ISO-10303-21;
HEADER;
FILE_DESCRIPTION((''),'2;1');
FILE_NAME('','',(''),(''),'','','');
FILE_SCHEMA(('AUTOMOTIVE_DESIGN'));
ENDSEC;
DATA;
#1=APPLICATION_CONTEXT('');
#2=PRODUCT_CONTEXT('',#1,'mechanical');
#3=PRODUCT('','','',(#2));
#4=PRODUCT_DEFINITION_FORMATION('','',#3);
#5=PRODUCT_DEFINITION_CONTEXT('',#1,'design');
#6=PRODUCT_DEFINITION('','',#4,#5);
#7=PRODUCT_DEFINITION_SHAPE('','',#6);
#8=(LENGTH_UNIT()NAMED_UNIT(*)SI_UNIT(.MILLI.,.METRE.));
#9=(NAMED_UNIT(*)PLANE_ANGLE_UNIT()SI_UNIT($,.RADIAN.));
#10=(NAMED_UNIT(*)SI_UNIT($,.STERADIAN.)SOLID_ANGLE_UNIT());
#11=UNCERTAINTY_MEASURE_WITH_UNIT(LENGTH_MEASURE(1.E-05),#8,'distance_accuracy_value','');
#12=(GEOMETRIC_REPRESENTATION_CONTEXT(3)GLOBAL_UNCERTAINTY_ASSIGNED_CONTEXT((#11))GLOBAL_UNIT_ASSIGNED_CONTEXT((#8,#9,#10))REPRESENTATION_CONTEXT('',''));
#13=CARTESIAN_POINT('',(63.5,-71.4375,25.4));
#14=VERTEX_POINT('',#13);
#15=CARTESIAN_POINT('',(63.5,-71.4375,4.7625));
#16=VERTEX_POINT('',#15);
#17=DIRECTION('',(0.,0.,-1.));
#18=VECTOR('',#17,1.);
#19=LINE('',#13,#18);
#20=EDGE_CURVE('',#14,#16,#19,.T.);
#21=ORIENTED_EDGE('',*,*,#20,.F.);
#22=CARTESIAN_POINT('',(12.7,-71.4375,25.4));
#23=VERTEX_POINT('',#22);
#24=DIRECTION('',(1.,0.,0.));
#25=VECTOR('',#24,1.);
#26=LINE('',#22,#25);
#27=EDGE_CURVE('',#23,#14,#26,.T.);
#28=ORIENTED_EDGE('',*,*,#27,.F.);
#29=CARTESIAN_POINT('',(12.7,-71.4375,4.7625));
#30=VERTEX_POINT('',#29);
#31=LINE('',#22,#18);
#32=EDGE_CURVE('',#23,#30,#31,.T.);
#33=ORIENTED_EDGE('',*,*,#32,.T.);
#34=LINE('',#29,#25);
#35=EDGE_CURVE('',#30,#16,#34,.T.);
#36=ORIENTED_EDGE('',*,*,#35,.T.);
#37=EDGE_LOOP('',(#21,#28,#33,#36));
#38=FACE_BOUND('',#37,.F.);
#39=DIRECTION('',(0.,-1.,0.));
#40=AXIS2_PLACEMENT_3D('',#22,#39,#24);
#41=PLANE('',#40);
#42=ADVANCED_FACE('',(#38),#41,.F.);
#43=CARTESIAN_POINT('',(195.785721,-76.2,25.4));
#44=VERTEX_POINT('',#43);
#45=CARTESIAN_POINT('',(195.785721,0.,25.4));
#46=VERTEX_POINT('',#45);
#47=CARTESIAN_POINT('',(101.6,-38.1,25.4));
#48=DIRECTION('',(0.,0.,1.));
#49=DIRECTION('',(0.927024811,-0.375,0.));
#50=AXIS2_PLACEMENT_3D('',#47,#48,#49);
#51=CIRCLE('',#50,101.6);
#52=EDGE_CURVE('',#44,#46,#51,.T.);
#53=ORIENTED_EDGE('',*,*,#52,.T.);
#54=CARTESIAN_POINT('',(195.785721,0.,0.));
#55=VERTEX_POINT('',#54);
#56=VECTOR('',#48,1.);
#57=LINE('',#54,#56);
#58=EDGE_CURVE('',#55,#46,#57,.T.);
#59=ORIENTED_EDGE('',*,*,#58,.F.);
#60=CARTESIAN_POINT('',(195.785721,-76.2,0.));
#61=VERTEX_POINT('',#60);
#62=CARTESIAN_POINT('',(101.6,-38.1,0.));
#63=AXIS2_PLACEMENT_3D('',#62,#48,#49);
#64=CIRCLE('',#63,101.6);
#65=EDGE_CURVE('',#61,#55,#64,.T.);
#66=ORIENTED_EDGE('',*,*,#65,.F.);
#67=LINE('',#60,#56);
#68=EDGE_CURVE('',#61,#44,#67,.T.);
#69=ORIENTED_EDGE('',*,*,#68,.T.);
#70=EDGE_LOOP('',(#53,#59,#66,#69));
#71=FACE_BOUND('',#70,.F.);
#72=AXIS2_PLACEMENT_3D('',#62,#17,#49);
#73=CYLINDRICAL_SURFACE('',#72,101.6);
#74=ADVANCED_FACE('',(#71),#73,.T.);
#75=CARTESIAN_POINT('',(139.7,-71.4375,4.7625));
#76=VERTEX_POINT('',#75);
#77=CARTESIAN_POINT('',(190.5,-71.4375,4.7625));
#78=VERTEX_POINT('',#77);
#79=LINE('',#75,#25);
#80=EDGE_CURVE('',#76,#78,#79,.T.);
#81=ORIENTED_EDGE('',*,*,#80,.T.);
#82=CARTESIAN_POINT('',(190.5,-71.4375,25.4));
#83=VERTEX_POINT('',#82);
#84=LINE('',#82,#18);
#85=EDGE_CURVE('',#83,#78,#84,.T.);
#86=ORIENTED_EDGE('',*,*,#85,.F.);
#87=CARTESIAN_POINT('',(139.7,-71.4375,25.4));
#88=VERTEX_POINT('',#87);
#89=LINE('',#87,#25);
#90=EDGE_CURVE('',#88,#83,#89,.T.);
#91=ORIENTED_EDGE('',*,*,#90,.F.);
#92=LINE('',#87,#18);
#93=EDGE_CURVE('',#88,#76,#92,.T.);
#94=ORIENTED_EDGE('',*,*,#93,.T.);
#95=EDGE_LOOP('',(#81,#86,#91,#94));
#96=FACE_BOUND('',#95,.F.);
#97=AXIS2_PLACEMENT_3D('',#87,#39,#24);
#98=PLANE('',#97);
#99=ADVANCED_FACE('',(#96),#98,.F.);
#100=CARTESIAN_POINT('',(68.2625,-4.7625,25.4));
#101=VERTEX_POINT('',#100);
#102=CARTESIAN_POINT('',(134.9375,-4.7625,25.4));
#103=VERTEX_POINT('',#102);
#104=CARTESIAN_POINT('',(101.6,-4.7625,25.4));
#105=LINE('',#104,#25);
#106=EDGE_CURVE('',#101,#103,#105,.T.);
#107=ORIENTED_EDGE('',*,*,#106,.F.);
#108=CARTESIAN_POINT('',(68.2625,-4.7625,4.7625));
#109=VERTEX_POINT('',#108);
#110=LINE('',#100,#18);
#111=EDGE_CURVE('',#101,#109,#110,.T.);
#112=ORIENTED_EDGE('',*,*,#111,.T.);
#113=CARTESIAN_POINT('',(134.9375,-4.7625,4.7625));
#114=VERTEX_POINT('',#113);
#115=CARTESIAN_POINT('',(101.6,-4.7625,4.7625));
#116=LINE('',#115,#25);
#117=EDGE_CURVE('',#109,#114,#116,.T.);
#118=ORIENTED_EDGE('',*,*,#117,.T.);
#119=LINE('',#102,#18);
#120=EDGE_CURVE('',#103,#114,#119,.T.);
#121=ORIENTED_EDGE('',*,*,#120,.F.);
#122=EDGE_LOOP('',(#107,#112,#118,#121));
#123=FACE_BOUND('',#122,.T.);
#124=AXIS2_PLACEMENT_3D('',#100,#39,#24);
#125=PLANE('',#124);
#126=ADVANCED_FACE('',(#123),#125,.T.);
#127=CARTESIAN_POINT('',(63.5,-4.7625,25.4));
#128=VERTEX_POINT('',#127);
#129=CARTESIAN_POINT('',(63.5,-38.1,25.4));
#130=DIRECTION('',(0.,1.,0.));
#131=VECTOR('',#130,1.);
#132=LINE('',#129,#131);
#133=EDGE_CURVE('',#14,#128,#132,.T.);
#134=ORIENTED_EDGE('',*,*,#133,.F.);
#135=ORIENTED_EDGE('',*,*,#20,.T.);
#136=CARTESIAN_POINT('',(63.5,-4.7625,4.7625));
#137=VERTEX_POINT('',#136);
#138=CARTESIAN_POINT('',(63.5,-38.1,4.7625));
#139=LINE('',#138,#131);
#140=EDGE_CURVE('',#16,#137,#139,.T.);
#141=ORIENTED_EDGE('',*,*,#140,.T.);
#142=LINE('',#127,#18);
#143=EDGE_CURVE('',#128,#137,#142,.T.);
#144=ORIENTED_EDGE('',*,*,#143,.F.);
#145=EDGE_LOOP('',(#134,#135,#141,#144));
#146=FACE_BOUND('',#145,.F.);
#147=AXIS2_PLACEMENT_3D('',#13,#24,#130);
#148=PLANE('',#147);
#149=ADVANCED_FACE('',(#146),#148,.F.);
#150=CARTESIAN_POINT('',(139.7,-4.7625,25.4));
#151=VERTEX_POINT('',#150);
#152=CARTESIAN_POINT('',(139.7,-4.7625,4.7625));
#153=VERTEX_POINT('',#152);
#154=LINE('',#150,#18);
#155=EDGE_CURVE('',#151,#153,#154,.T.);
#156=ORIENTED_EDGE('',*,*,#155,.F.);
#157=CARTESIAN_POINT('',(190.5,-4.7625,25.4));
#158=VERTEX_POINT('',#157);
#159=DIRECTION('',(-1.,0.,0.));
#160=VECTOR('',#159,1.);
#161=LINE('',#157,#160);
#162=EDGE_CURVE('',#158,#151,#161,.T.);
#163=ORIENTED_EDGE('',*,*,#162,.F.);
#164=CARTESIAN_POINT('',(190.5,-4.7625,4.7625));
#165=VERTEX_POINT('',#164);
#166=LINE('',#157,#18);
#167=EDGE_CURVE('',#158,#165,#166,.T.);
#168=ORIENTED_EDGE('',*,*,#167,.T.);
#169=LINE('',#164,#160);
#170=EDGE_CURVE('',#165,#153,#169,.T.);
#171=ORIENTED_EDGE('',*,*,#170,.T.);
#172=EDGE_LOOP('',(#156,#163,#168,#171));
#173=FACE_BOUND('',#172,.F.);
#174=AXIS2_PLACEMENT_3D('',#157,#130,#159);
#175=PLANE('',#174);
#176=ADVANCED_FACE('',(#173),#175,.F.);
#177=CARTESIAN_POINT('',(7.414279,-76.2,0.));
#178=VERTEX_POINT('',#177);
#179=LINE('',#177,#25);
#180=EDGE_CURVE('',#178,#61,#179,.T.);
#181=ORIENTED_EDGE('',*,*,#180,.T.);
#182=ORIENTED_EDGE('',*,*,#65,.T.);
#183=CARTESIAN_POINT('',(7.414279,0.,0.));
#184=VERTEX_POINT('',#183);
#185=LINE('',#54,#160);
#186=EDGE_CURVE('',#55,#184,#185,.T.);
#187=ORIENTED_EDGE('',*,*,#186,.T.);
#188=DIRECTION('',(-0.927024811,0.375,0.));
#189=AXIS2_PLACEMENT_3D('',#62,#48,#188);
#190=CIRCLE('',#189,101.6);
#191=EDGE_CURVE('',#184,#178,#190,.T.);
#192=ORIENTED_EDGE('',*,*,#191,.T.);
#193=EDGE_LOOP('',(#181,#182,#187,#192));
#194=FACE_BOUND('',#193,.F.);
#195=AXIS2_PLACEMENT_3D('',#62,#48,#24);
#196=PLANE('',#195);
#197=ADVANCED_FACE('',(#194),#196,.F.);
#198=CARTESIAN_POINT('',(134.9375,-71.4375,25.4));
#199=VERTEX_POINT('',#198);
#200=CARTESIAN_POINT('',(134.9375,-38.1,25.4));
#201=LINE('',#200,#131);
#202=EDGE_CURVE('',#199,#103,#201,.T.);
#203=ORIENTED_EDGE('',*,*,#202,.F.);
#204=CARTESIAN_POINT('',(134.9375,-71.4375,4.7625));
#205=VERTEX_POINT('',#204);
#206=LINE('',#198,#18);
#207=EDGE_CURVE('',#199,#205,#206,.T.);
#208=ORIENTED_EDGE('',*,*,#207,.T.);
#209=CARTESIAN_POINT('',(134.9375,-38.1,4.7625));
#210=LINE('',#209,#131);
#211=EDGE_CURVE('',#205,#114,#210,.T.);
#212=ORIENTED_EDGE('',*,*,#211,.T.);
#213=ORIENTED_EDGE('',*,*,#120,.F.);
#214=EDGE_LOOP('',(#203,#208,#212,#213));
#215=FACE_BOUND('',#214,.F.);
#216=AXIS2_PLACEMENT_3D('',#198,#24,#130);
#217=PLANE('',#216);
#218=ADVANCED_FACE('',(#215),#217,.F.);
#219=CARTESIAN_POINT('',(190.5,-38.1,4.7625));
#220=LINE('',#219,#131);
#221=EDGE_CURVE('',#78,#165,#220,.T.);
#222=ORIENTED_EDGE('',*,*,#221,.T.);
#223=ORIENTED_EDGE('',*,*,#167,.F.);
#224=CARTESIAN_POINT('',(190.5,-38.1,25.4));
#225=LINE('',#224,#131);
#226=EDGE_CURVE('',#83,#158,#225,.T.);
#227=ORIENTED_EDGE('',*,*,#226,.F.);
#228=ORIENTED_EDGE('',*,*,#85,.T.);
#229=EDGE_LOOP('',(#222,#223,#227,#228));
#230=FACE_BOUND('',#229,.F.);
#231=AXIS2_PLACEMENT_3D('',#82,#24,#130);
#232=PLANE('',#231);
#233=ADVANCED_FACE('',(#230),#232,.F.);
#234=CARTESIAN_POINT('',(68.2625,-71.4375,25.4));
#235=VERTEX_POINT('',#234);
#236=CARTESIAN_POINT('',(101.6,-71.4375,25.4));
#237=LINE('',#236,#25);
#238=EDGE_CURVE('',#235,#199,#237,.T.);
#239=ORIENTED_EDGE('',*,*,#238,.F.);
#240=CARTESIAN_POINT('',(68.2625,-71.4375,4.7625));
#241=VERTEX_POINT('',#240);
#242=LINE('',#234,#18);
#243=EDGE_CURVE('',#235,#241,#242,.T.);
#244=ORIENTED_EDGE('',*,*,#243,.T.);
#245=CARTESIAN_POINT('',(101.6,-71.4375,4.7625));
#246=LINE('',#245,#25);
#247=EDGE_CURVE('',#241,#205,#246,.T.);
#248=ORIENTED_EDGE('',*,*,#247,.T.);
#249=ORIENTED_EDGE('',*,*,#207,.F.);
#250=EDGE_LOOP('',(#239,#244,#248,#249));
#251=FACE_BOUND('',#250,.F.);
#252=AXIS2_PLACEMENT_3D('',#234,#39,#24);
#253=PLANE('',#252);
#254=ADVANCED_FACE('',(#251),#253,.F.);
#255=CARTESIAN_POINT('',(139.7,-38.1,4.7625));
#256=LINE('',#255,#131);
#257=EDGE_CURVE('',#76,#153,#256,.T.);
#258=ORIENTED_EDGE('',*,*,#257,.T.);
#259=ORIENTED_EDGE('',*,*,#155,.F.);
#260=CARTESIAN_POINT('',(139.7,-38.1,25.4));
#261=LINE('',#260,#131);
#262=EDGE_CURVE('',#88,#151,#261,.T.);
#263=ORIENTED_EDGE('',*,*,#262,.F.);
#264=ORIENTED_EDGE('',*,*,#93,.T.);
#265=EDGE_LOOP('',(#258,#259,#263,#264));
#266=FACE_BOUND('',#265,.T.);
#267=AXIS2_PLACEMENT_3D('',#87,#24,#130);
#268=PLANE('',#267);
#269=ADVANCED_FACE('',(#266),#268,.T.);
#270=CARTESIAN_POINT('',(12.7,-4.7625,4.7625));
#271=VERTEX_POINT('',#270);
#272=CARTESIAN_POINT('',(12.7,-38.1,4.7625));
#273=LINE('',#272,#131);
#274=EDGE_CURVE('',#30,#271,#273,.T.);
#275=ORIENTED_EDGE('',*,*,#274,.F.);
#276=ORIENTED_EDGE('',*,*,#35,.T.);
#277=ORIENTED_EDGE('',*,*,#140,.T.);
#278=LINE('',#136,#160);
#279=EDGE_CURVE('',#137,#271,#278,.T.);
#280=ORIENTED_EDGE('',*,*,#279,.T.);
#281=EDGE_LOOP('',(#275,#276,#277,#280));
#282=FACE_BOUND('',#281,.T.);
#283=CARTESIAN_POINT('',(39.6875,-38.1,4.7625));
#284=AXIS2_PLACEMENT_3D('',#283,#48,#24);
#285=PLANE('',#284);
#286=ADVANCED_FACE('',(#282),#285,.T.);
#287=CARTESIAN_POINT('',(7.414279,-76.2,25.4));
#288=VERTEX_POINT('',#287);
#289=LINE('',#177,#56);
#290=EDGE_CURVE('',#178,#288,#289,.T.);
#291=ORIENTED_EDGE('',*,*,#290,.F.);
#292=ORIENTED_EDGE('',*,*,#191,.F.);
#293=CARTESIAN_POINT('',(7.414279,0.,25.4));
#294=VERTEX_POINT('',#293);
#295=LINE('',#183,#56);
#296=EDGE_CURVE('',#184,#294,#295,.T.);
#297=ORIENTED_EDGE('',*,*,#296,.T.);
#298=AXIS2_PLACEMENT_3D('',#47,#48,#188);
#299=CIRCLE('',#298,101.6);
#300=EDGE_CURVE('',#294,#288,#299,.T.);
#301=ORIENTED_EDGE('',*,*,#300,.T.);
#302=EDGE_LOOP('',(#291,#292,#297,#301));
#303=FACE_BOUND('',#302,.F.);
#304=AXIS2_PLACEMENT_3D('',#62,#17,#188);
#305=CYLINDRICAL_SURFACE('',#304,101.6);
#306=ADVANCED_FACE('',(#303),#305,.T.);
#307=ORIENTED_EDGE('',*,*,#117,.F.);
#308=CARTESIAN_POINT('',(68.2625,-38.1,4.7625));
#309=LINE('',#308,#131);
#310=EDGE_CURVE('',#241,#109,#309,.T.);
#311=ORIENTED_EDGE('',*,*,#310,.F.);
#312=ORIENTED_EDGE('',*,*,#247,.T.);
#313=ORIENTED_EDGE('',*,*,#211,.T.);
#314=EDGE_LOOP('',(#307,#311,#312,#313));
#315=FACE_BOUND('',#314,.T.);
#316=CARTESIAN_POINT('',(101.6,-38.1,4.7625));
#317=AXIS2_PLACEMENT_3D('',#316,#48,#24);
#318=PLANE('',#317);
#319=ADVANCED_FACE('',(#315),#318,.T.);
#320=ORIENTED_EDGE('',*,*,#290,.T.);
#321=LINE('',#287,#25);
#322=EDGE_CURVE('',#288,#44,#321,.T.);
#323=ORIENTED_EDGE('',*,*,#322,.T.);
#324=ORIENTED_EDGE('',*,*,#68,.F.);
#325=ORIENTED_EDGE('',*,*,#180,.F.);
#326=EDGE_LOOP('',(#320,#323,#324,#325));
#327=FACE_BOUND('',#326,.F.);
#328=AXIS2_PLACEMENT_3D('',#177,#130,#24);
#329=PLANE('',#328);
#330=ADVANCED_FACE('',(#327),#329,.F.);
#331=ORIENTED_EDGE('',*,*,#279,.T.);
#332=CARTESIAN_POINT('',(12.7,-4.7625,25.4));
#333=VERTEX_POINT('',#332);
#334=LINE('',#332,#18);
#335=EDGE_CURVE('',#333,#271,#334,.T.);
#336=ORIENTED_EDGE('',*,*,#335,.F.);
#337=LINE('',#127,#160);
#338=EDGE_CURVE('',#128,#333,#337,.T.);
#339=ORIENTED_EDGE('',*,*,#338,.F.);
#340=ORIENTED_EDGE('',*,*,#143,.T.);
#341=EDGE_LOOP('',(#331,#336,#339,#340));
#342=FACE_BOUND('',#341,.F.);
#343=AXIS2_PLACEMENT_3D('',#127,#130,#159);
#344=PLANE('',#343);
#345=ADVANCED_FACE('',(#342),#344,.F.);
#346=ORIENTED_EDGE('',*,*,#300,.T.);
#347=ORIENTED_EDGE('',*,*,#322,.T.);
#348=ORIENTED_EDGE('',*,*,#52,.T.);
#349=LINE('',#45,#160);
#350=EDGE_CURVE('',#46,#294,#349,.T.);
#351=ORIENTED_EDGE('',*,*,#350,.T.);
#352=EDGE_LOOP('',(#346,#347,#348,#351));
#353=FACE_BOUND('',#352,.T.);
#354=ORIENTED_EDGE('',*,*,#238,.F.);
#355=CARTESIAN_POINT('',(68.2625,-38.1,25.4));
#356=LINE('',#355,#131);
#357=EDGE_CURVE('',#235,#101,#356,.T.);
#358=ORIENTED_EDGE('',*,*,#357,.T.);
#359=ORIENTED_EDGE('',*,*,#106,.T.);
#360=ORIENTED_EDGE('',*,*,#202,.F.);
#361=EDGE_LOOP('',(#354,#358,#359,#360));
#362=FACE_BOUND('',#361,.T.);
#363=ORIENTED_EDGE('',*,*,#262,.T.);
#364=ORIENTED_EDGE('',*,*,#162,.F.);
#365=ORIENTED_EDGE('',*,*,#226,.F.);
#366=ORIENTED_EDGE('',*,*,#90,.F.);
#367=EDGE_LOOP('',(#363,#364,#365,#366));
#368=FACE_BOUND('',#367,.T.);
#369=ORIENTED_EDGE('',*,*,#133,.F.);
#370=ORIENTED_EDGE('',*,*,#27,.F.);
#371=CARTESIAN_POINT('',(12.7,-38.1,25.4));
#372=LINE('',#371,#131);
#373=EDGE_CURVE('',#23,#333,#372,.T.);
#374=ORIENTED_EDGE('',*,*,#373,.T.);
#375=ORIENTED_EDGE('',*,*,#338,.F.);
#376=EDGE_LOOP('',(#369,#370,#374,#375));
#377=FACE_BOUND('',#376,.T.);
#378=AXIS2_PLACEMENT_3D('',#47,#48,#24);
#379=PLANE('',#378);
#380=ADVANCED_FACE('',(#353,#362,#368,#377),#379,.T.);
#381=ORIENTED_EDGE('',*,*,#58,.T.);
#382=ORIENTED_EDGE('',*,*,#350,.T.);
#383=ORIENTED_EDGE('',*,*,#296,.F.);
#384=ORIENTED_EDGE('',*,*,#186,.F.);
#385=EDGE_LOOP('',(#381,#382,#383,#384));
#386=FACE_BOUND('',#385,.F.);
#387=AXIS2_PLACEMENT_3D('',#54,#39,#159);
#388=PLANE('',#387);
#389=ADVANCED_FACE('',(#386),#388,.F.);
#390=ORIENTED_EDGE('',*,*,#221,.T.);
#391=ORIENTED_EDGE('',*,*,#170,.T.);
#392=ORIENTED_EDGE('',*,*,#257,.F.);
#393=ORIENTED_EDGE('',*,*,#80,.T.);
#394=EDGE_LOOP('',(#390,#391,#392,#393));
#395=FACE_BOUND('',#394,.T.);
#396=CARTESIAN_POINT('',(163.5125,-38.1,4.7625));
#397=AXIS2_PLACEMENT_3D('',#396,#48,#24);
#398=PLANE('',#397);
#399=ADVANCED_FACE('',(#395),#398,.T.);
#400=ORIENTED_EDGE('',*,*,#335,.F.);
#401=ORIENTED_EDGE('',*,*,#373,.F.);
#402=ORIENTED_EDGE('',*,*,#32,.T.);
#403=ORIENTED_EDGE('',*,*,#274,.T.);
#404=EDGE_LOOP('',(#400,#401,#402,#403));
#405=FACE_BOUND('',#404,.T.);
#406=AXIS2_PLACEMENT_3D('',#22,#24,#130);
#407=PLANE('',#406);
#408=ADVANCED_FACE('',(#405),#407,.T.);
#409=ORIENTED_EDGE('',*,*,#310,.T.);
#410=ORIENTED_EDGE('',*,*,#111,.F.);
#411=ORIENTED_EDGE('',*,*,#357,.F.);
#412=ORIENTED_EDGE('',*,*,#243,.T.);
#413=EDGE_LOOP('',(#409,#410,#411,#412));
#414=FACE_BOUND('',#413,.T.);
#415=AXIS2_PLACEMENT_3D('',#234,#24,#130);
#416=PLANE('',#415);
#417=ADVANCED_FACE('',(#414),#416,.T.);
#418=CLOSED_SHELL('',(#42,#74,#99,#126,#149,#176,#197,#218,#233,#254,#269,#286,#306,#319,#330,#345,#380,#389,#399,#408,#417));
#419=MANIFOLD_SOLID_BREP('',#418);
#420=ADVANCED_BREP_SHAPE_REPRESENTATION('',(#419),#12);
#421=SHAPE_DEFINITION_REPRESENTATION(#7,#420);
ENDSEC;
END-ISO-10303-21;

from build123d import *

# Parameters (mm, degrees)
F1_DEPTH = 25.4
F2_W     = 47.625
F2_H     = 66.675
F2_W_2   = 66.675
F2_W_3   = 3.175
F3_DEPTH = 20.6375


with BuildPart() as f1:
    # F0 (on Top) → F1 (new body)
    with BuildSketch(Plane.XY):
        with BuildLine():
            Line((195.7857207861, 0), (7.4142792139, 0))
            ThreePointArc((7.4142792139, 0), (1.8707935661, -18.6926461344), (0, -38.1))
            ThreePointArc((0, -38.1), (1.8707935661, -57.5073538656), (7.4142792139, -76.2))
            Line((7.4142792139, -76.2), (195.7857207861, -76.2))
            ThreePointArc((195.7857207861, -76.2), (201.3292064339, -57.5073538656), (203.2, -38.1))
            ThreePointArc((203.2, -38.1), (201.3292064339, -18.6926461344), (195.7857207861, 0))
        make_face()
    extrude(amount=F1_DEPTH)

    # F2 (on face) → F3 (cut)
    with BuildSketch(Plane.XY.offset(25.4)):
        with Locations((39.6875, -38.1)):
            Rectangle(F2_W, F2_H)
        with Locations((101.6, -38.1)):
            Rectangle(F2_W_2, F2_H)
        with Locations((163.5125, -38.1)):
            Rectangle(F2_W, F2_H)
        with Locations((14.2875, -38.1)):
            Rectangle(F2_W_3, F2_H)
        with Locations((188.9125, -38.1)):
            Rectangle(F2_W_3, F2_H)
    extrude(amount=-F3_DEPTH, mode=Mode.SUBTRACT)


solid = f1.part
